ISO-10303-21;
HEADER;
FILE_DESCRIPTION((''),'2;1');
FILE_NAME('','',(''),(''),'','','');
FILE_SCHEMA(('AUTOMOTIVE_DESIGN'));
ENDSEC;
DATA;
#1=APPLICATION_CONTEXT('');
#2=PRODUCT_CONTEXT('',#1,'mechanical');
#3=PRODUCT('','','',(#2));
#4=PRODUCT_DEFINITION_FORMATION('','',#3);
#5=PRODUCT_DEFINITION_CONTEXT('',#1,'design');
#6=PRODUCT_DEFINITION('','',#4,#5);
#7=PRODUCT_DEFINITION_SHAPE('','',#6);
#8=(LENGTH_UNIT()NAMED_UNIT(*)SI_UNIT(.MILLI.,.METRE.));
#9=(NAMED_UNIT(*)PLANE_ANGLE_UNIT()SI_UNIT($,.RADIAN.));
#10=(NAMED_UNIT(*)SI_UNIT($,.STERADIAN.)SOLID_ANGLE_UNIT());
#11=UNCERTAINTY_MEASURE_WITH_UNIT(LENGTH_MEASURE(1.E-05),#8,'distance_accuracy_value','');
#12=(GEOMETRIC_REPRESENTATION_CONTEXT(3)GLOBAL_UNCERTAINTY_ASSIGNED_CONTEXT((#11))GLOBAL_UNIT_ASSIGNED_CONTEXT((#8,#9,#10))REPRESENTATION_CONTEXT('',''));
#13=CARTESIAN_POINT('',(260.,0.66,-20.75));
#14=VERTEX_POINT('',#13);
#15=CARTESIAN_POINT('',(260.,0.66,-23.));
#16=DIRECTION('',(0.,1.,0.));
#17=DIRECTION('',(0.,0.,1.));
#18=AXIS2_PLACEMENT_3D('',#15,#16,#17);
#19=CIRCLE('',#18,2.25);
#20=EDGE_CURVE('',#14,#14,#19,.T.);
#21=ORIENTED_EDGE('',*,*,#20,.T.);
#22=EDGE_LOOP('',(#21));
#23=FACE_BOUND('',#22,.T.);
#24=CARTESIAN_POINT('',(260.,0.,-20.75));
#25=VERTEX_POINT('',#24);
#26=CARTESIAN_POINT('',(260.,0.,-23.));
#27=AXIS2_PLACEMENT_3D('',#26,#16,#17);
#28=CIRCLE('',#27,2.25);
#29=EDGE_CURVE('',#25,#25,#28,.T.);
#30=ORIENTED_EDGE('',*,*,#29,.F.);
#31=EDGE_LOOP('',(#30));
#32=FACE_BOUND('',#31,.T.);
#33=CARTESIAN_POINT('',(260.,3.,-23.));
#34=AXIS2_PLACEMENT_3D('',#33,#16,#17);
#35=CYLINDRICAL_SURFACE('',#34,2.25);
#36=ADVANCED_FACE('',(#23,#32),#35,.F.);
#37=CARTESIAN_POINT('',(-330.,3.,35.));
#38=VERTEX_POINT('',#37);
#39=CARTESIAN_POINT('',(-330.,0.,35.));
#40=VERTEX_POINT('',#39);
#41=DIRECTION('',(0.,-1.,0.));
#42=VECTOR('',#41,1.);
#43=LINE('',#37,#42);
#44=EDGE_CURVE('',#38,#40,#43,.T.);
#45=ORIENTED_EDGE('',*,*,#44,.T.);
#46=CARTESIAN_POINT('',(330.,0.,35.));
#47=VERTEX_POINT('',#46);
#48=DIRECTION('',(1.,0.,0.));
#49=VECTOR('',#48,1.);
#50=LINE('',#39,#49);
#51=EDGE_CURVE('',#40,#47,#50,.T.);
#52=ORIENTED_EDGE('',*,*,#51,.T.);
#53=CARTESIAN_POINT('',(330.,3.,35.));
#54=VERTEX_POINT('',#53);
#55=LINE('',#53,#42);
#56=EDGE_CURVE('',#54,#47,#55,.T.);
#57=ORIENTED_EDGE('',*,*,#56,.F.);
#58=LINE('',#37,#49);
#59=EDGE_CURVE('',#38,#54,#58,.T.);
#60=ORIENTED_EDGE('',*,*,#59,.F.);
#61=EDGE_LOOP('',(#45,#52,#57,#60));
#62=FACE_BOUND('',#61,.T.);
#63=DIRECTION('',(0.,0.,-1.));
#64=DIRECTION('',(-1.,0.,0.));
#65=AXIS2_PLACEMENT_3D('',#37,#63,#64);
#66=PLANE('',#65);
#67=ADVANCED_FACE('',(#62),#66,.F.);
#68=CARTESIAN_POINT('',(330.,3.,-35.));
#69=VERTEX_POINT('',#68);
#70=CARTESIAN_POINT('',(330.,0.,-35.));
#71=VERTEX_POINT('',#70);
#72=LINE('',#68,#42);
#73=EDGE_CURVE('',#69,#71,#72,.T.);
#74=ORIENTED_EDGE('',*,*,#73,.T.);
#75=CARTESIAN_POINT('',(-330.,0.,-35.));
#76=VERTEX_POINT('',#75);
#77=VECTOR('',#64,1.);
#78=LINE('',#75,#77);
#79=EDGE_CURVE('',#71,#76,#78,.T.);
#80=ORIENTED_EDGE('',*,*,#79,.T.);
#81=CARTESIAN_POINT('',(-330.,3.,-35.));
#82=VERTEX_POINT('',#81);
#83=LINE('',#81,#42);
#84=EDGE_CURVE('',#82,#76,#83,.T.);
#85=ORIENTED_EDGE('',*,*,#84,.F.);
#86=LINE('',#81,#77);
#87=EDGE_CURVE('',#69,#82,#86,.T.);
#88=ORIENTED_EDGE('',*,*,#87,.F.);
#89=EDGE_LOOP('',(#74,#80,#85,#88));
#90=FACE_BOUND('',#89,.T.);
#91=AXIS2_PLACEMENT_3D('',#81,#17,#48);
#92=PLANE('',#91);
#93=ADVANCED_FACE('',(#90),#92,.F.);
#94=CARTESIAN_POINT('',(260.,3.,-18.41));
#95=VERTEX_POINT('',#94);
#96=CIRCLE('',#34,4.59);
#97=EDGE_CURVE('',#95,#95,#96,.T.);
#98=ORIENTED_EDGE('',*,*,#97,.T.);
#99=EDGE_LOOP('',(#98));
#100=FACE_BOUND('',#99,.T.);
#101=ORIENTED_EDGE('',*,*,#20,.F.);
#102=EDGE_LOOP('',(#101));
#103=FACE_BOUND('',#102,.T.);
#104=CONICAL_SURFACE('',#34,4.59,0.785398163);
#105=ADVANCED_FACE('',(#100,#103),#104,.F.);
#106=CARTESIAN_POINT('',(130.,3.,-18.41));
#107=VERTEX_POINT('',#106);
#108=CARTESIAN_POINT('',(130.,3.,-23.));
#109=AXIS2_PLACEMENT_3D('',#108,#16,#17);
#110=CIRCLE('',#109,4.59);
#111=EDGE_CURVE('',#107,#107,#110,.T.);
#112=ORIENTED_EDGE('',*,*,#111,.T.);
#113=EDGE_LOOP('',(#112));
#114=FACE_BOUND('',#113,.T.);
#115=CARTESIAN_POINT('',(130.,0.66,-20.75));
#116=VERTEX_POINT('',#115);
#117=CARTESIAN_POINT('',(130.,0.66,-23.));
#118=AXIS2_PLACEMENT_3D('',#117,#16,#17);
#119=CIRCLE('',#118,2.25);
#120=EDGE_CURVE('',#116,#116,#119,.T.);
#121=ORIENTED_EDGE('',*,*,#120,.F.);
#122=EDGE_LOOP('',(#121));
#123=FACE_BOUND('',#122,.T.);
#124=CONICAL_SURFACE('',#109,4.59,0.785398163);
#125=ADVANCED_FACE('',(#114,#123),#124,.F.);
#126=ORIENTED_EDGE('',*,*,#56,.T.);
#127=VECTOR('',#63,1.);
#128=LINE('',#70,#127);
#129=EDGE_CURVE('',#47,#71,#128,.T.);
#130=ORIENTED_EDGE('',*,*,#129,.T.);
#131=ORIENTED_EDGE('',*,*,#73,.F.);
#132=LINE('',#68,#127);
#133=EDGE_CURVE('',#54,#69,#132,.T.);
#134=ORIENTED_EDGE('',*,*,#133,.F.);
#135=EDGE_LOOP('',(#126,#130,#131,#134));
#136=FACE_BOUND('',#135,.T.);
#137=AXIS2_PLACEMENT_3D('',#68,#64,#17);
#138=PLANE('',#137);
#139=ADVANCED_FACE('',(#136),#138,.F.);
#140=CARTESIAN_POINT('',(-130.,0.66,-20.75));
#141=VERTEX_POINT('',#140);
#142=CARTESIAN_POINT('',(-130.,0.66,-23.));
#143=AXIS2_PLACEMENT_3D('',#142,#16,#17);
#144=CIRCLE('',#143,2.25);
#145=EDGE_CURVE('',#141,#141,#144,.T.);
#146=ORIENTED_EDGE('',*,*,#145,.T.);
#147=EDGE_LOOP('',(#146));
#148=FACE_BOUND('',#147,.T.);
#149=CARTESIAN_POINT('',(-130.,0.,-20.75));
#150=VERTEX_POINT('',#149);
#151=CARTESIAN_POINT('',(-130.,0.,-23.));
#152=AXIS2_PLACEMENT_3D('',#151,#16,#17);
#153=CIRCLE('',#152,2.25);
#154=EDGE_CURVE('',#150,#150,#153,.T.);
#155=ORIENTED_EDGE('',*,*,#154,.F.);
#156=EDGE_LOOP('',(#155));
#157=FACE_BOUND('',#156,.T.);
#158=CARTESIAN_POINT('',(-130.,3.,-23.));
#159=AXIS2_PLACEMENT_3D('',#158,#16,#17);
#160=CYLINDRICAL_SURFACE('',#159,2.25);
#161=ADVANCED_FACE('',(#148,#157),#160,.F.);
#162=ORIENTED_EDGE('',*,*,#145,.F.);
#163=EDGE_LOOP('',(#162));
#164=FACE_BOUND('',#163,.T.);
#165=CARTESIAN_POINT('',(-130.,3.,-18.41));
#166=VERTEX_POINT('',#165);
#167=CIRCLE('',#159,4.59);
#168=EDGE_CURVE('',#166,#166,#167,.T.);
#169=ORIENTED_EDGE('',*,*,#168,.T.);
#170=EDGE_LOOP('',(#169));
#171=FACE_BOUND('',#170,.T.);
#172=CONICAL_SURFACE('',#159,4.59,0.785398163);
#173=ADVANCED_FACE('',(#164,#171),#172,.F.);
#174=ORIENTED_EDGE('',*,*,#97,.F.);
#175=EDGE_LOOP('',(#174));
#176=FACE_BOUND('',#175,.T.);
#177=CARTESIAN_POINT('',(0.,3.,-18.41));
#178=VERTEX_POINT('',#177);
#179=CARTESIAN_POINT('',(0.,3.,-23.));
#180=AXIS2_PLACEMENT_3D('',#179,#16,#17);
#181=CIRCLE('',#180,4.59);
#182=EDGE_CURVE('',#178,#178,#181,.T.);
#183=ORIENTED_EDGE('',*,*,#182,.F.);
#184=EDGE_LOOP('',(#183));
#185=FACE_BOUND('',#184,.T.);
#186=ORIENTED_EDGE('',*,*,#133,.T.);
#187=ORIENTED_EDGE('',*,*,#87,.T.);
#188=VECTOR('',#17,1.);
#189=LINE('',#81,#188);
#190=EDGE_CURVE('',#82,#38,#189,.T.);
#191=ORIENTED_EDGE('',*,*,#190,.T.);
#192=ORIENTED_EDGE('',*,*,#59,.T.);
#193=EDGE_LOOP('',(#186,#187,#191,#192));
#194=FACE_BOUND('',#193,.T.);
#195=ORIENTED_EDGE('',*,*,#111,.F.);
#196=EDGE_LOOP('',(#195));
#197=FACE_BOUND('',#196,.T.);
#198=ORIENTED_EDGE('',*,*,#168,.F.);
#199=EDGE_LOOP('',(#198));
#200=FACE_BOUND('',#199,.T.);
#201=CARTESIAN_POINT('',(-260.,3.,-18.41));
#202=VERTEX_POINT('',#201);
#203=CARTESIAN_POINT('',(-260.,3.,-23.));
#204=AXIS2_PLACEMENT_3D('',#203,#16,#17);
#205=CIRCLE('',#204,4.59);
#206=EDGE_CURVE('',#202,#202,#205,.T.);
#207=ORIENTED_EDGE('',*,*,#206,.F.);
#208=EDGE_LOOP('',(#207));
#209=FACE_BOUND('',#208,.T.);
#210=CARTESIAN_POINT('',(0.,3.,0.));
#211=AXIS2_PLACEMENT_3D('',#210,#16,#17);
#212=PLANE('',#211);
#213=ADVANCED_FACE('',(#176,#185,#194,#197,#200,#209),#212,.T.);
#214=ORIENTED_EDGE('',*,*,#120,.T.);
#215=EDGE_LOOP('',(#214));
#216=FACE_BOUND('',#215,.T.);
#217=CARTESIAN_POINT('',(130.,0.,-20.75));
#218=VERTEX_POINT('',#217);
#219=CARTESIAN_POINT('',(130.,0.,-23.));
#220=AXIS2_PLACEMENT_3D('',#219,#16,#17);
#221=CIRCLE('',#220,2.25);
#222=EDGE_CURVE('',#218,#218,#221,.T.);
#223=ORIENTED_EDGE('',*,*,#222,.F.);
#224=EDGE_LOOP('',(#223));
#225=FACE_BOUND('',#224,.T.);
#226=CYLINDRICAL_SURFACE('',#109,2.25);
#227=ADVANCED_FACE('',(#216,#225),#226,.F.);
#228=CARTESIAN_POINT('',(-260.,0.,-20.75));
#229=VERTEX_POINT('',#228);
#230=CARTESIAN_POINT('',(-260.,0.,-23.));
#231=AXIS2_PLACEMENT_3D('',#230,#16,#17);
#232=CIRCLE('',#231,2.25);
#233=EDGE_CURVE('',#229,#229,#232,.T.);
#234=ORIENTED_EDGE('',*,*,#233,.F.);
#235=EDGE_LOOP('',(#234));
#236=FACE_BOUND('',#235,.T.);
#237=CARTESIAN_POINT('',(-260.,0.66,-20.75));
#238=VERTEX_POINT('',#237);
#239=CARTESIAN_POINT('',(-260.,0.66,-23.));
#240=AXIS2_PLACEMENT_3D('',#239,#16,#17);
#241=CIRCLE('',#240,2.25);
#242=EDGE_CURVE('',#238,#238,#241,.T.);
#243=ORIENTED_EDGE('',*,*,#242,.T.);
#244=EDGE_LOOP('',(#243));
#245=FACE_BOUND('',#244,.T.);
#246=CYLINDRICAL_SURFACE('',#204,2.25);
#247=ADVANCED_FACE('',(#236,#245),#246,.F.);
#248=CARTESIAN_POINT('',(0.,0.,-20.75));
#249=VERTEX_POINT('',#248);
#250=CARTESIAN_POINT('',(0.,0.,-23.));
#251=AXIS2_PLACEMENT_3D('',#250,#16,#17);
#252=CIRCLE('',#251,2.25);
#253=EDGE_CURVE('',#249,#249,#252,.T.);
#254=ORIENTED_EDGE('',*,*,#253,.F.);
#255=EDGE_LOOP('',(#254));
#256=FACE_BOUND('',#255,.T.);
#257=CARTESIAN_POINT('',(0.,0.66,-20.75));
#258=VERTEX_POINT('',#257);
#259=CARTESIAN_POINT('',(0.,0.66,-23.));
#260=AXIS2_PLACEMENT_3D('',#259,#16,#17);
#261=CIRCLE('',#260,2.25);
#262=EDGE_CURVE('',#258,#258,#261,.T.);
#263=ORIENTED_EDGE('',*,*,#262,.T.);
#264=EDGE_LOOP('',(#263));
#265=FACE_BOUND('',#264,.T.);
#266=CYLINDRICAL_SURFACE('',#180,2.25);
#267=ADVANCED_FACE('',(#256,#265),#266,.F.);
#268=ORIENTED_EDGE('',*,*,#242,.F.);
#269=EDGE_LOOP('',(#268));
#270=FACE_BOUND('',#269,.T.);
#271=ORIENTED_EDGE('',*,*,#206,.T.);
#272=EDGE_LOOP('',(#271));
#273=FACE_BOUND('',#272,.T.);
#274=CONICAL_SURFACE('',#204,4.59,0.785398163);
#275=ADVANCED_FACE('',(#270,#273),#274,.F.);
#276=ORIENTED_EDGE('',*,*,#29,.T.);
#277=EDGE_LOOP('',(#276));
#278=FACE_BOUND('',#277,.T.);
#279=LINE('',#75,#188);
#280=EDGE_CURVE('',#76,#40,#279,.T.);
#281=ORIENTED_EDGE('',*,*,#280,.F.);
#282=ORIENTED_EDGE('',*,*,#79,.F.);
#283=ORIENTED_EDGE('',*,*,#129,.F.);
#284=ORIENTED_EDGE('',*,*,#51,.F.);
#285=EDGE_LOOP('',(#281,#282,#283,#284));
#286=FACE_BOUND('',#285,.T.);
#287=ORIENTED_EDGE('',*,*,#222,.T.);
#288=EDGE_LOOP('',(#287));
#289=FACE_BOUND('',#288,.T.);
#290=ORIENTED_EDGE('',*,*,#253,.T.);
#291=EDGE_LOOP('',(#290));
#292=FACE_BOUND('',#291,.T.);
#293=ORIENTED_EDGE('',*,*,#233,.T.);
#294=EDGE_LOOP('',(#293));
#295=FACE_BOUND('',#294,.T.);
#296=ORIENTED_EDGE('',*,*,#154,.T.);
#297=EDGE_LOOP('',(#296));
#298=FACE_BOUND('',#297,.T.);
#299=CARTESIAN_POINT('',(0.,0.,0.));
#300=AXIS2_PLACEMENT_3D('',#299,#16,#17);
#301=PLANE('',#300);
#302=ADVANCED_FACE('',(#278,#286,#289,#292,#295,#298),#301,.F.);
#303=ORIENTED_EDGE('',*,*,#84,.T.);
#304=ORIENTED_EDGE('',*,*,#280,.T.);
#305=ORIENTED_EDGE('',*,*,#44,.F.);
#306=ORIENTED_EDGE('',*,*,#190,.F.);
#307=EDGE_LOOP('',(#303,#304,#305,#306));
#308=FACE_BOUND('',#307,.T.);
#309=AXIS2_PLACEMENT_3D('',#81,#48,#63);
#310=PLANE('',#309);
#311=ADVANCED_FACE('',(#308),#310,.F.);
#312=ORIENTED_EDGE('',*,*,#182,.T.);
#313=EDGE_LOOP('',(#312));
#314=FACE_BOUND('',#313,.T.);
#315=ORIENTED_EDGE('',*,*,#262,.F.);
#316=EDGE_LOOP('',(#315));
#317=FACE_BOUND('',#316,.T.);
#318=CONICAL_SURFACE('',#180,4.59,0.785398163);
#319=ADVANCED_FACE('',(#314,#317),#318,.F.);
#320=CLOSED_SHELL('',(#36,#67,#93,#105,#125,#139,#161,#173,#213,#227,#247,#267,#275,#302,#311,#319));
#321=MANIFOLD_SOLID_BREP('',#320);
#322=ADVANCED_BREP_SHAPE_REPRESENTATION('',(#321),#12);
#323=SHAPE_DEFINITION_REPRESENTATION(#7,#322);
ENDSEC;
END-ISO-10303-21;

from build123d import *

# Parameters (mm, degrees)
SKETCH1_W           = 660
SKETCH1_H           = 70
BOSS_EXTRUDE1_DEPTH = 3
LPATTERN1_COUNT     = 5
LPATTERN1_PITCH     = 130


with BuildPart() as part:
    # Sketch1 → Boss-Extrude1 (new body)
    with BuildSketch(Plane(origin=(0, 0, 0), x_dir=(1, 0, 0), z_dir=(0, 1, 0))):
        Rectangle(SKETCH1_W, SKETCH1_H)
    extrude(amount=BOSS_EXTRUDE1_DEPTH)

    # Sketch2 → CSK for M4 Hex Socket Countersunk Head Screw1 (revolve, cut)
    with BuildSketch(Plane(origin=(-260, 3, -23), x_dir=(0, 0, 1), z_dir=(1, 0, 0))):
        Polygon((0, 0), (0, 3), (2.25, 3), (2.25, 2.34), (4.59, 0), align=None)
    csk_for_m4_hex_socket_countersunk_head_s = revolve(axis=Axis((-260, 9.35, -23), (0, -1, 0)), mode=Mode.SUBTRACT)

    # LPattern1: CSK for M4 Hex Socket Countersunk Head Screw1 ×5
    with Locations(*[(i * LPATTERN1_PITCH, 0, 0) for i in range(1, LPATTERN1_COUNT)]):
        add(csk_for_m4_hex_socket_countersunk_head_s, mode=Mode.SUBTRACT)


solid = part.part
